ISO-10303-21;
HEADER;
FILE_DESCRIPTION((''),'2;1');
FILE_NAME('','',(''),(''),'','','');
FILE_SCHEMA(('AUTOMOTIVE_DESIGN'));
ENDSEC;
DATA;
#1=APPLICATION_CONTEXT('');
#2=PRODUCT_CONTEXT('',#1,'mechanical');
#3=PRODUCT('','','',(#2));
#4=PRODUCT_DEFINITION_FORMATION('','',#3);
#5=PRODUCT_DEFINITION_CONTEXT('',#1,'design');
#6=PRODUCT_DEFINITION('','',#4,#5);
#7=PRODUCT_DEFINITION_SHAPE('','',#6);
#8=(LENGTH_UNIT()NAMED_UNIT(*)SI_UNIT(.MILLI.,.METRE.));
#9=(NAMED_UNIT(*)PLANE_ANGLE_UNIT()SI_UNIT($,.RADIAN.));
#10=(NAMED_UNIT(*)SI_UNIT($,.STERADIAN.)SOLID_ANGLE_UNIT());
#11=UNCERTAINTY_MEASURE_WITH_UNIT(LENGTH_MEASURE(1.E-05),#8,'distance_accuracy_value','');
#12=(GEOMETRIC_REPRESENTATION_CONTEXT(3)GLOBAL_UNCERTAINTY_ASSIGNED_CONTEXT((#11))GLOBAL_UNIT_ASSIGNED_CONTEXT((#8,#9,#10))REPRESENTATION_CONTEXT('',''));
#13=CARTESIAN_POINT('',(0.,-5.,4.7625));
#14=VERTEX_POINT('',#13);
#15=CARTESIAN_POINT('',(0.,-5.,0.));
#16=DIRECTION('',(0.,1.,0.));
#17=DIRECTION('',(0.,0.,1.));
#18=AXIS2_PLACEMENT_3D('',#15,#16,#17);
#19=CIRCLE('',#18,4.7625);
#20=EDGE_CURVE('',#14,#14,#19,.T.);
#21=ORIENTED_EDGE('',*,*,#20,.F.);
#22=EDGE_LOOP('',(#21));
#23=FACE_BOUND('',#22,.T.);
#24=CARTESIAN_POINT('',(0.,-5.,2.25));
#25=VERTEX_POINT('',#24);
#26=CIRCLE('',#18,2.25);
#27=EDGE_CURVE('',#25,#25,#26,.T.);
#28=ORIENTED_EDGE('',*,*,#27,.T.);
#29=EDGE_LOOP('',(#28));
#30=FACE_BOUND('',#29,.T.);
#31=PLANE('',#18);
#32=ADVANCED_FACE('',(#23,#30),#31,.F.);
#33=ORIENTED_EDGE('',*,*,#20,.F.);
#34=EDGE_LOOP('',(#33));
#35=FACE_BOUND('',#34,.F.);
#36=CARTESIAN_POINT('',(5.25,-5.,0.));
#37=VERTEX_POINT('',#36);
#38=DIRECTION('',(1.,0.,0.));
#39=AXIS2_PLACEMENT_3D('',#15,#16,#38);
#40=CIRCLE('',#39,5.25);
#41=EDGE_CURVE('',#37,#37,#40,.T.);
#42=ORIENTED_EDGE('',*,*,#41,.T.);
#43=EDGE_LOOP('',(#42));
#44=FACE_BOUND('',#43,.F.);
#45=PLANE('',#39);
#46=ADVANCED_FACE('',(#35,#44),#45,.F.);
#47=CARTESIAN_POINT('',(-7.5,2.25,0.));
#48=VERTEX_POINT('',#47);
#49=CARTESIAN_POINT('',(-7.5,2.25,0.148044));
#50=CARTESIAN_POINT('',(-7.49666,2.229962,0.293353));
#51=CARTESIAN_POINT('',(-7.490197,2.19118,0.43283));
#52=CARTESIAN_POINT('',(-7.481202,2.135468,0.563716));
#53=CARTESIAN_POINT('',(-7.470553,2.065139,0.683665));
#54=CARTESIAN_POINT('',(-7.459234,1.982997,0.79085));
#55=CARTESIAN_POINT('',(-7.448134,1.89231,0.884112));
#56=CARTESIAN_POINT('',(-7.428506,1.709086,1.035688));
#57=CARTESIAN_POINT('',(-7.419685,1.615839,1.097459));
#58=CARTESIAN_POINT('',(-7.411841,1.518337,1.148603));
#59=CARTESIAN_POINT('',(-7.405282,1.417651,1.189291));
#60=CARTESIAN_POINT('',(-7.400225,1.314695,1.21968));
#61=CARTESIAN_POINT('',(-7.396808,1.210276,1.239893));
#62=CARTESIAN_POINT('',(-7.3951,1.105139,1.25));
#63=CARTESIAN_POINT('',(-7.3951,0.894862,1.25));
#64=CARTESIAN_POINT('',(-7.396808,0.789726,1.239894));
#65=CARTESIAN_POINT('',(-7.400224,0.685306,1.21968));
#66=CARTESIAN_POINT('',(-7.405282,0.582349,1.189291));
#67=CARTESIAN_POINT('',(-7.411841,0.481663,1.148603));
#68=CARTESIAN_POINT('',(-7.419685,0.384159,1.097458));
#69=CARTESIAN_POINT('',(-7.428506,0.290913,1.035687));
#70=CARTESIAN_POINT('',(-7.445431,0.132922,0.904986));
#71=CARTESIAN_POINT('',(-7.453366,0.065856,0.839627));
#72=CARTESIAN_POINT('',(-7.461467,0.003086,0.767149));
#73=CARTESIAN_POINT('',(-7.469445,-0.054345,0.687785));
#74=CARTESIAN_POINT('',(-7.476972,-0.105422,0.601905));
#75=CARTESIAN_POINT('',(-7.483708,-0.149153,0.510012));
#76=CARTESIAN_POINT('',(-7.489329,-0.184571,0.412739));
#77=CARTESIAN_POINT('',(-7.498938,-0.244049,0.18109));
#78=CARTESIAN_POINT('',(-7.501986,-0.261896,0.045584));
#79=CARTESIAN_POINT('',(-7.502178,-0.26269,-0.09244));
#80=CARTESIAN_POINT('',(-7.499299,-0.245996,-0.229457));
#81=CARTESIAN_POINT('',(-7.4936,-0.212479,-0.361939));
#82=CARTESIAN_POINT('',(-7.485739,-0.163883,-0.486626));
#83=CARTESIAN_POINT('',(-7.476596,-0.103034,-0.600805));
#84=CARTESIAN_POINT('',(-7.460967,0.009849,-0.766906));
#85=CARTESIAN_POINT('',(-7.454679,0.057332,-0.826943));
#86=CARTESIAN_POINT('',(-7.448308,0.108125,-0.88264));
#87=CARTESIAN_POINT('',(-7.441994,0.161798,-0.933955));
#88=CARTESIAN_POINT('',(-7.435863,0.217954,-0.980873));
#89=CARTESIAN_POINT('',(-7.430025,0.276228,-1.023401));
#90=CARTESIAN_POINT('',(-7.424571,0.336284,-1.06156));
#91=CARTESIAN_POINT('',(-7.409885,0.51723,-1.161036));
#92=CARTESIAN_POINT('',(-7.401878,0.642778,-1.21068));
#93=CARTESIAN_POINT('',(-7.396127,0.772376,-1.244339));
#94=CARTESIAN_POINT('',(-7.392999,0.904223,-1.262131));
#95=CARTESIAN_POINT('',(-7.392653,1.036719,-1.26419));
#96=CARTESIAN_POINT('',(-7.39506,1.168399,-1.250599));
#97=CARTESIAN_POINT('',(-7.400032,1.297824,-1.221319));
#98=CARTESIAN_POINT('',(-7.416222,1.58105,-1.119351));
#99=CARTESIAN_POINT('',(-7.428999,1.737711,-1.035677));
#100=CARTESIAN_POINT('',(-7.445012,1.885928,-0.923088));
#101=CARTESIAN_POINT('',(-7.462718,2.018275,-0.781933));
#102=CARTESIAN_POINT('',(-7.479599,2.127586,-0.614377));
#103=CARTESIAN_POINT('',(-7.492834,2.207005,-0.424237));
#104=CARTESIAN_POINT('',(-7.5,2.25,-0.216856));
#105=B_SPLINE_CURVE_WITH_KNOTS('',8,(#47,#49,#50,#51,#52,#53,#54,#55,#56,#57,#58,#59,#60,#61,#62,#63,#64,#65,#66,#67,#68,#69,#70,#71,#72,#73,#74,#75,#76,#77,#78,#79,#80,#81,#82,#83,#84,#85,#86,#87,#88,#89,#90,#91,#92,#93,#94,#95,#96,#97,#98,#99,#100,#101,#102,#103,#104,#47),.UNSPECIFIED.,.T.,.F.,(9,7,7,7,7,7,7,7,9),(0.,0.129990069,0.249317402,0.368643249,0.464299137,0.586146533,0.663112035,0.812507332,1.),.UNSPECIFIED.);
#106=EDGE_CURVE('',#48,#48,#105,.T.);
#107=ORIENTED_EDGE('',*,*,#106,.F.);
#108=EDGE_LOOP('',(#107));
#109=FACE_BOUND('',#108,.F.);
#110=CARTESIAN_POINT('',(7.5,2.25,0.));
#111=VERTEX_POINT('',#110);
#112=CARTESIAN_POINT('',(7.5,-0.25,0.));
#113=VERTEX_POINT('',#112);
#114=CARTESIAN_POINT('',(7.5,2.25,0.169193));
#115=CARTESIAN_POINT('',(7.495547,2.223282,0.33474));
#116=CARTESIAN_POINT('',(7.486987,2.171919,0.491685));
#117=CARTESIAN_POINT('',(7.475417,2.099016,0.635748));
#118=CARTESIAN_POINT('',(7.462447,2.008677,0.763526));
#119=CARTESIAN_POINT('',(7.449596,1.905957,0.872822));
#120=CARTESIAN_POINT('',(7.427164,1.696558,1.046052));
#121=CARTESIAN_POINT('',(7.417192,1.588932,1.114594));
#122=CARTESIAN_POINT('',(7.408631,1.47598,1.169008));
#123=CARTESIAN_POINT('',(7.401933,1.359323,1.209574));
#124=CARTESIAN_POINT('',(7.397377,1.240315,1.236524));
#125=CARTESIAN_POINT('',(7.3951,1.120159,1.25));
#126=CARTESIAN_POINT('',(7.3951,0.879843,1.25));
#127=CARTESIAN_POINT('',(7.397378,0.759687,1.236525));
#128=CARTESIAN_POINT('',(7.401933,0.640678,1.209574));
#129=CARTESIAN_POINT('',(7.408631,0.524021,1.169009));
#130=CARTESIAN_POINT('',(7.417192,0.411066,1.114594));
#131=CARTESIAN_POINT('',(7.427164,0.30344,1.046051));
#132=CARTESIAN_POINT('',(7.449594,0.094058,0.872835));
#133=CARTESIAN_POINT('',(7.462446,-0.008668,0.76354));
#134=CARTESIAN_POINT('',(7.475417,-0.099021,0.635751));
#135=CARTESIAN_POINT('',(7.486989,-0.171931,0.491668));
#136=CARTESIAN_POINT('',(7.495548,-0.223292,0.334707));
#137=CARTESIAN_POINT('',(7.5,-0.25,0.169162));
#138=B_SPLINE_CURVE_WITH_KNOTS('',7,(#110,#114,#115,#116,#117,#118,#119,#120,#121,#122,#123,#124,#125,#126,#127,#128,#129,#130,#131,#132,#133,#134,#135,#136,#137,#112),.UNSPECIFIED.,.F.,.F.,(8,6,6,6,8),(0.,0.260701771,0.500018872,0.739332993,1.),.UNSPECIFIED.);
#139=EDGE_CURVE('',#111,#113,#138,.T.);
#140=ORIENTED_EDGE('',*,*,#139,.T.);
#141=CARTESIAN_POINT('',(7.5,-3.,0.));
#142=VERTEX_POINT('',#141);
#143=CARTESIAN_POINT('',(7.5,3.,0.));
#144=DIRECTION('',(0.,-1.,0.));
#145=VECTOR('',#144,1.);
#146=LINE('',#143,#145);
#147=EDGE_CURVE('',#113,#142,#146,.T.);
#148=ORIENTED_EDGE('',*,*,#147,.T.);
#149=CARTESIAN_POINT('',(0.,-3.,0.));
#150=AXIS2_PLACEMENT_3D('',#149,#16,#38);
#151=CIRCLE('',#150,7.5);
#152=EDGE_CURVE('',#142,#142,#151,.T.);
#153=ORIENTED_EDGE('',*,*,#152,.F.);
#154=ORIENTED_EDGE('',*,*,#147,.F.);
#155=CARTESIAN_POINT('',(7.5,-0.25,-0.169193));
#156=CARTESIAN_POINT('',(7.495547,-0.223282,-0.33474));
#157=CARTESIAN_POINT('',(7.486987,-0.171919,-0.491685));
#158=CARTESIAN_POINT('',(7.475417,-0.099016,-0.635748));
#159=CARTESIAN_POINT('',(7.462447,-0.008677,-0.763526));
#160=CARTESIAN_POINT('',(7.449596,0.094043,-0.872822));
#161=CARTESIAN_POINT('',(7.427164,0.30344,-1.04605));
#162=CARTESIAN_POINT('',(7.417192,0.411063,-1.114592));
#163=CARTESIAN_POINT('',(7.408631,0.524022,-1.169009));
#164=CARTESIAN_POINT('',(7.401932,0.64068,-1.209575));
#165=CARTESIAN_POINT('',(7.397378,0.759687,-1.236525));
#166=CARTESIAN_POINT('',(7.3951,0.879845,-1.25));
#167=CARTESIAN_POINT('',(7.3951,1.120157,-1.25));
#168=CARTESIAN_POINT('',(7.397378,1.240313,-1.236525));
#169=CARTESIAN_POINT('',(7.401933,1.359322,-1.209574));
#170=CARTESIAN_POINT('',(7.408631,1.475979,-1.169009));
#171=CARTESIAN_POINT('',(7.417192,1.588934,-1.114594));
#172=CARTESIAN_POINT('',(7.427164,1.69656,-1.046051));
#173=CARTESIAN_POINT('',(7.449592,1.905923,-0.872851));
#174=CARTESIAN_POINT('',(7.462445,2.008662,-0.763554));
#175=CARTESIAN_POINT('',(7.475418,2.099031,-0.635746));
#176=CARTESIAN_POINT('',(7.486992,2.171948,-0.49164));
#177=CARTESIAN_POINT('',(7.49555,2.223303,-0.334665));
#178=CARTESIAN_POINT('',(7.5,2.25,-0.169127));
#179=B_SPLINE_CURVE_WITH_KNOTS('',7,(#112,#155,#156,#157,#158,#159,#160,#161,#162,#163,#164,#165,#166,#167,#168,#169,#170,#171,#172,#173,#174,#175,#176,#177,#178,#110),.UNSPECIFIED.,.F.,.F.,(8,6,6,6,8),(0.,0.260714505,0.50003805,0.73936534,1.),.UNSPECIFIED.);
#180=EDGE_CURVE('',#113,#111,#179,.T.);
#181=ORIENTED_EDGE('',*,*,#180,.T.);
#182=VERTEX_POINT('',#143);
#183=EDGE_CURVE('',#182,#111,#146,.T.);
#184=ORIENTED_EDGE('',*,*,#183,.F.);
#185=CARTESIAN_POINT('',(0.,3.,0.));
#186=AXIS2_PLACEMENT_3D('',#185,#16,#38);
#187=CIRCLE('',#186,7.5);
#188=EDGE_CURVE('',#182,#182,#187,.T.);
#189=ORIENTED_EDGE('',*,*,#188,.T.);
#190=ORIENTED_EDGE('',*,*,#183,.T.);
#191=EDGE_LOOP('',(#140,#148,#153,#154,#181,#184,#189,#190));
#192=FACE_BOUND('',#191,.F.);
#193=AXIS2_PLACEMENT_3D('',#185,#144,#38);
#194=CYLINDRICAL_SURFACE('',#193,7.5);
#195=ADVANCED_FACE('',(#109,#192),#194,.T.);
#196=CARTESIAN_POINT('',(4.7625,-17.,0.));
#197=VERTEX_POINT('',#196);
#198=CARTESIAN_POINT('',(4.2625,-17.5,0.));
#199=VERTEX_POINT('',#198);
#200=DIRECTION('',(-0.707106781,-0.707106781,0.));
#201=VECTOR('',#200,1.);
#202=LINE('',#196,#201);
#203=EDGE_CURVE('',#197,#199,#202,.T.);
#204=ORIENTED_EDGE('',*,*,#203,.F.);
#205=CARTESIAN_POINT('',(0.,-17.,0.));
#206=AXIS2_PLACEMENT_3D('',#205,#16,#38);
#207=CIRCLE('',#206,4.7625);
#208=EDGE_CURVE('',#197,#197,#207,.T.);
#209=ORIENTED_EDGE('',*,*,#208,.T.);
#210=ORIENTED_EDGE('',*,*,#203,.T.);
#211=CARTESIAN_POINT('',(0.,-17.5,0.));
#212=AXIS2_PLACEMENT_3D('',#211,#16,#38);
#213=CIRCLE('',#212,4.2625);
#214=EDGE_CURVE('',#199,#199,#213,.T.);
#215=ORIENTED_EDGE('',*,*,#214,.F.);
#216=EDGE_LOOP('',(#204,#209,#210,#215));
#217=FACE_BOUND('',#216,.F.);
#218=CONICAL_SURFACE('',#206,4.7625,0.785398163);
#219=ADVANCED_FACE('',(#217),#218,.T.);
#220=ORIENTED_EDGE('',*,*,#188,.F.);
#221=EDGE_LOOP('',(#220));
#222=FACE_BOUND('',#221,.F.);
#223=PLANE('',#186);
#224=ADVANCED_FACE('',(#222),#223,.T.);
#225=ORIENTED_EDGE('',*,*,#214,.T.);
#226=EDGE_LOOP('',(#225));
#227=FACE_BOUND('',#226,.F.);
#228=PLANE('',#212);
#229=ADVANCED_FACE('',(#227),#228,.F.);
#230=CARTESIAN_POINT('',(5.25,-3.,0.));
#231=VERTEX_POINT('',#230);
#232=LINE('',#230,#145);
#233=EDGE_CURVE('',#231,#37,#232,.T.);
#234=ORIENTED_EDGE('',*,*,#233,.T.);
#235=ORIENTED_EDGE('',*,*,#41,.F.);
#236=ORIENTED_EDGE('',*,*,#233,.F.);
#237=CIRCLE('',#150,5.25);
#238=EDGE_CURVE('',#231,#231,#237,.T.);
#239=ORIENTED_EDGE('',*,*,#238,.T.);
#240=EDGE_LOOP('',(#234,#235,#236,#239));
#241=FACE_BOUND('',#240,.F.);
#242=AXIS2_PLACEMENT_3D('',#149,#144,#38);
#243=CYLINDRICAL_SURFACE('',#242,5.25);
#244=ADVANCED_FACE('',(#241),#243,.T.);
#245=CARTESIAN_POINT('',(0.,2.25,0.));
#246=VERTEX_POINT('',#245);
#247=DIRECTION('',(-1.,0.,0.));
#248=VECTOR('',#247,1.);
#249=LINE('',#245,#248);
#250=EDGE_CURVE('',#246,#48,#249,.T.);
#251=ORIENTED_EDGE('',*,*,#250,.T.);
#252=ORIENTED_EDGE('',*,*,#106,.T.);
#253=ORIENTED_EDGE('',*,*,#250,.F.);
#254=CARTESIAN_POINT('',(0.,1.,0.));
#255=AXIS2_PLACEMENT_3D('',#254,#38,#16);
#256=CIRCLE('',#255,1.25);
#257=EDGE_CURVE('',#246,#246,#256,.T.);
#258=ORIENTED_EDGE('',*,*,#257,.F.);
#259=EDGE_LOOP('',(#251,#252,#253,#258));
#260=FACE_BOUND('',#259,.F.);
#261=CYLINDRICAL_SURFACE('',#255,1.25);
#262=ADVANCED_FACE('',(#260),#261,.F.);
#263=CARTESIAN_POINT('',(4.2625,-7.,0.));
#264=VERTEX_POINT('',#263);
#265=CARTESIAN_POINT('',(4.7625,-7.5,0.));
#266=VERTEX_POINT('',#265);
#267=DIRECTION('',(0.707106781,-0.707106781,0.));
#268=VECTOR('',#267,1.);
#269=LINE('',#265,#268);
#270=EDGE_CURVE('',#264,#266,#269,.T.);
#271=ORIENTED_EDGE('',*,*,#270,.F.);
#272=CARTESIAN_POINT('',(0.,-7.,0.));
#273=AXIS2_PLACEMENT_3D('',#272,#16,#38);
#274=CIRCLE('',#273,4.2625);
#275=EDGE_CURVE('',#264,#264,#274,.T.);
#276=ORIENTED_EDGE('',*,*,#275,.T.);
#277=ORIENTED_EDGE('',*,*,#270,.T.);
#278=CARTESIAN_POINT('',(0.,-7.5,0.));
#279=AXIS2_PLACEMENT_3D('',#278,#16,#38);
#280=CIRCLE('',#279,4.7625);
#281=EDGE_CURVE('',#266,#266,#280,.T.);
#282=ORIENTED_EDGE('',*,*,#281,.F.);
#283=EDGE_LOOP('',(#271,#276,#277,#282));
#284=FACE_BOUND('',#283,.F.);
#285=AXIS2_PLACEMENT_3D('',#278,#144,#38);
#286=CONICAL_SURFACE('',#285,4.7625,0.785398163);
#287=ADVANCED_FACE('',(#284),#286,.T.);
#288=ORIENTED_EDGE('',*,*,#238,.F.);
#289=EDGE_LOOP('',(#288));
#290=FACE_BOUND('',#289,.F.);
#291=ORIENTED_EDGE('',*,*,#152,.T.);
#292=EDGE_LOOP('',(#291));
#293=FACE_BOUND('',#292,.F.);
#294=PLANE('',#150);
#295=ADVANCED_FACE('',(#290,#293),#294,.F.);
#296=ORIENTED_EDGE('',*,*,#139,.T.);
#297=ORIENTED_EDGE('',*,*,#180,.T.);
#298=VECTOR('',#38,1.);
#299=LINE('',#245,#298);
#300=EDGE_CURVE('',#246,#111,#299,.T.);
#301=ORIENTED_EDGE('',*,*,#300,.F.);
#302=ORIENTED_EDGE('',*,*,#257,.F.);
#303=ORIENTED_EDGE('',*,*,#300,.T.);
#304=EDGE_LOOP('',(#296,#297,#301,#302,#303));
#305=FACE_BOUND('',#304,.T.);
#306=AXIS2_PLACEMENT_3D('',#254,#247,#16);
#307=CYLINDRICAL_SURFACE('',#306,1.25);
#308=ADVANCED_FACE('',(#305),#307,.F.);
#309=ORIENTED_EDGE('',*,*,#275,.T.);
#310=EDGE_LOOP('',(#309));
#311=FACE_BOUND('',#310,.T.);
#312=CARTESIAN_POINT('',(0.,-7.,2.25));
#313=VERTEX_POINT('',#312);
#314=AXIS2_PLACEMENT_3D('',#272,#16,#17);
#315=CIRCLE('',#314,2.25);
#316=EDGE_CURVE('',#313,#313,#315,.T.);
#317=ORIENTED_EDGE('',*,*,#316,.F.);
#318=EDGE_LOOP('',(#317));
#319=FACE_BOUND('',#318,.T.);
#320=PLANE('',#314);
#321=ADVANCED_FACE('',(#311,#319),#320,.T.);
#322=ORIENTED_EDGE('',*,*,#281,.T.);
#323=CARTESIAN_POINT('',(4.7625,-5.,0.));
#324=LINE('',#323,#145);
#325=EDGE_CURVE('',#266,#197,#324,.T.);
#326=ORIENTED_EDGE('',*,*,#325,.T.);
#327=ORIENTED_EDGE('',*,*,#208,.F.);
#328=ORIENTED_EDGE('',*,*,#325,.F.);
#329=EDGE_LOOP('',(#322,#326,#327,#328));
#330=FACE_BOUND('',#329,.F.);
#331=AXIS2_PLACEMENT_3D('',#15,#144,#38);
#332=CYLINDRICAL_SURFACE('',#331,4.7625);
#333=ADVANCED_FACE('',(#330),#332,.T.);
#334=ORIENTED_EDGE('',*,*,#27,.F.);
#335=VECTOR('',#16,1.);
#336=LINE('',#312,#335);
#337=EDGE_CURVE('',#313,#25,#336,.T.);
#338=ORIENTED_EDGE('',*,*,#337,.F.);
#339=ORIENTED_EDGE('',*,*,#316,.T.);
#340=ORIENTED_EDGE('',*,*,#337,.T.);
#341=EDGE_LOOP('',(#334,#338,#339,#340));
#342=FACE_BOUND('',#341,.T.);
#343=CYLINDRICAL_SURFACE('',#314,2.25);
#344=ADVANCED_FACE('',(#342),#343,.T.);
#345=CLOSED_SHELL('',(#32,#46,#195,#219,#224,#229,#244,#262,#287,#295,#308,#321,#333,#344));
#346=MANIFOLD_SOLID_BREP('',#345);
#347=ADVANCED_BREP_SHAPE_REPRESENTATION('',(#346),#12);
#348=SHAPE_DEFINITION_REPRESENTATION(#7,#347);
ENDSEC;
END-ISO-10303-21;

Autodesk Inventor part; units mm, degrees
ref_plane "YZ Plane" through (0, 0, 0) normal (1, 0, 0) x (0, 1, 0)
ref_plane "XZ Plane" through (0, 0, 0) normal (0, 1, 0) x (-1, 0, 0)
ref_plane "XY Plane" through (0, 0, 0) normal (0, 0, 1) x (1, 0, 0)
sketch "Sketch3" plane through (0, 0, 0) normal (0, 0, 1) x (1, 0, 0)
  line L0 (0, 3) -> (7.5, 3)
  line L1 (7.5, 3) -> (7.5, -3)
  line L2 (7.5, -3) -> (5.25, -3)
  line L3 (5.25, -3) -> (5.25, -5)
  line L4 (5.25, -5) -> (4.7625, -5)
  line L5 (0, -21.6) -> (0, 7.1) projected
  line L6 (4.7625, -5) -> (4.7625, -17.5)
  line L7 (4.7625, -17.5) -> (0, -17.5)
  point P0 (0, 0)
  point P1 (7.5, 0)
  dimension "d6" = 6
  dimension "d7" = 15
  dimension "d8" = 10.5
  dimension "d9" = 2
  dimension "d11" = 9.525
  dimension "d12" = 12.5
revolve "Revolution1" add sketch "Sketch3" angle 360 about axis through (0, -10, 0) along (0, 1, 0)
sketch "Sketch4" plane through (0, 0, 0) normal (1, 0, 0) x (0, 1, 0)
  circle A0 centre (1, 0) radius 1.25
  line L0 (3, 7.5) -> (3, -7.5) projected
  point P0 (0, 0)
  dimension "d13" = 2.5
  dimension "d14" = 2
extrude "Extrusion3" cut sketch "Sketch4" along normal through all both and the other way through all
sketch "Sketch5" plane through (0, 0, 0) normal (1, 0, 0) x (0, 1, 0)
  line L0 (-7, 2.25) -> (-5, 2.25)
  line L1 (-5, 2.25) -> (-5, 4.7625)
  line L2 (-5, 4.7625) -> (-7, 4.7625)
  line L3 (-7, 4.7625) -> (-7, 2.25)
  line L4 (-5, 4.7625) -> (-17.5, 4.7625) projected
  line L5 (-5, 5.25) -> (-5, -5.25) projected
  line L6 (-21, 0) -> (3.5, 0) projected
  point P0 (0, 0)
  dimension "d17" = 2
  dimension "d18" = 4.5
revolve "Revolution2" cut sketch "Sketch5" angle 360 about axis through (0, -10, 0) along (0, 1, 0)
thread "Thread1" size "M6x1" class "6g" standard "ANSI Metric M Profile" full length
chamfer "Chamfer1" distance 0.5 angle 45 2 edges at (-4.7625, -17.5, 0) (-4.7625, -7, 0)
properties part number "Thumb Screw" material "Steel, Mild"
